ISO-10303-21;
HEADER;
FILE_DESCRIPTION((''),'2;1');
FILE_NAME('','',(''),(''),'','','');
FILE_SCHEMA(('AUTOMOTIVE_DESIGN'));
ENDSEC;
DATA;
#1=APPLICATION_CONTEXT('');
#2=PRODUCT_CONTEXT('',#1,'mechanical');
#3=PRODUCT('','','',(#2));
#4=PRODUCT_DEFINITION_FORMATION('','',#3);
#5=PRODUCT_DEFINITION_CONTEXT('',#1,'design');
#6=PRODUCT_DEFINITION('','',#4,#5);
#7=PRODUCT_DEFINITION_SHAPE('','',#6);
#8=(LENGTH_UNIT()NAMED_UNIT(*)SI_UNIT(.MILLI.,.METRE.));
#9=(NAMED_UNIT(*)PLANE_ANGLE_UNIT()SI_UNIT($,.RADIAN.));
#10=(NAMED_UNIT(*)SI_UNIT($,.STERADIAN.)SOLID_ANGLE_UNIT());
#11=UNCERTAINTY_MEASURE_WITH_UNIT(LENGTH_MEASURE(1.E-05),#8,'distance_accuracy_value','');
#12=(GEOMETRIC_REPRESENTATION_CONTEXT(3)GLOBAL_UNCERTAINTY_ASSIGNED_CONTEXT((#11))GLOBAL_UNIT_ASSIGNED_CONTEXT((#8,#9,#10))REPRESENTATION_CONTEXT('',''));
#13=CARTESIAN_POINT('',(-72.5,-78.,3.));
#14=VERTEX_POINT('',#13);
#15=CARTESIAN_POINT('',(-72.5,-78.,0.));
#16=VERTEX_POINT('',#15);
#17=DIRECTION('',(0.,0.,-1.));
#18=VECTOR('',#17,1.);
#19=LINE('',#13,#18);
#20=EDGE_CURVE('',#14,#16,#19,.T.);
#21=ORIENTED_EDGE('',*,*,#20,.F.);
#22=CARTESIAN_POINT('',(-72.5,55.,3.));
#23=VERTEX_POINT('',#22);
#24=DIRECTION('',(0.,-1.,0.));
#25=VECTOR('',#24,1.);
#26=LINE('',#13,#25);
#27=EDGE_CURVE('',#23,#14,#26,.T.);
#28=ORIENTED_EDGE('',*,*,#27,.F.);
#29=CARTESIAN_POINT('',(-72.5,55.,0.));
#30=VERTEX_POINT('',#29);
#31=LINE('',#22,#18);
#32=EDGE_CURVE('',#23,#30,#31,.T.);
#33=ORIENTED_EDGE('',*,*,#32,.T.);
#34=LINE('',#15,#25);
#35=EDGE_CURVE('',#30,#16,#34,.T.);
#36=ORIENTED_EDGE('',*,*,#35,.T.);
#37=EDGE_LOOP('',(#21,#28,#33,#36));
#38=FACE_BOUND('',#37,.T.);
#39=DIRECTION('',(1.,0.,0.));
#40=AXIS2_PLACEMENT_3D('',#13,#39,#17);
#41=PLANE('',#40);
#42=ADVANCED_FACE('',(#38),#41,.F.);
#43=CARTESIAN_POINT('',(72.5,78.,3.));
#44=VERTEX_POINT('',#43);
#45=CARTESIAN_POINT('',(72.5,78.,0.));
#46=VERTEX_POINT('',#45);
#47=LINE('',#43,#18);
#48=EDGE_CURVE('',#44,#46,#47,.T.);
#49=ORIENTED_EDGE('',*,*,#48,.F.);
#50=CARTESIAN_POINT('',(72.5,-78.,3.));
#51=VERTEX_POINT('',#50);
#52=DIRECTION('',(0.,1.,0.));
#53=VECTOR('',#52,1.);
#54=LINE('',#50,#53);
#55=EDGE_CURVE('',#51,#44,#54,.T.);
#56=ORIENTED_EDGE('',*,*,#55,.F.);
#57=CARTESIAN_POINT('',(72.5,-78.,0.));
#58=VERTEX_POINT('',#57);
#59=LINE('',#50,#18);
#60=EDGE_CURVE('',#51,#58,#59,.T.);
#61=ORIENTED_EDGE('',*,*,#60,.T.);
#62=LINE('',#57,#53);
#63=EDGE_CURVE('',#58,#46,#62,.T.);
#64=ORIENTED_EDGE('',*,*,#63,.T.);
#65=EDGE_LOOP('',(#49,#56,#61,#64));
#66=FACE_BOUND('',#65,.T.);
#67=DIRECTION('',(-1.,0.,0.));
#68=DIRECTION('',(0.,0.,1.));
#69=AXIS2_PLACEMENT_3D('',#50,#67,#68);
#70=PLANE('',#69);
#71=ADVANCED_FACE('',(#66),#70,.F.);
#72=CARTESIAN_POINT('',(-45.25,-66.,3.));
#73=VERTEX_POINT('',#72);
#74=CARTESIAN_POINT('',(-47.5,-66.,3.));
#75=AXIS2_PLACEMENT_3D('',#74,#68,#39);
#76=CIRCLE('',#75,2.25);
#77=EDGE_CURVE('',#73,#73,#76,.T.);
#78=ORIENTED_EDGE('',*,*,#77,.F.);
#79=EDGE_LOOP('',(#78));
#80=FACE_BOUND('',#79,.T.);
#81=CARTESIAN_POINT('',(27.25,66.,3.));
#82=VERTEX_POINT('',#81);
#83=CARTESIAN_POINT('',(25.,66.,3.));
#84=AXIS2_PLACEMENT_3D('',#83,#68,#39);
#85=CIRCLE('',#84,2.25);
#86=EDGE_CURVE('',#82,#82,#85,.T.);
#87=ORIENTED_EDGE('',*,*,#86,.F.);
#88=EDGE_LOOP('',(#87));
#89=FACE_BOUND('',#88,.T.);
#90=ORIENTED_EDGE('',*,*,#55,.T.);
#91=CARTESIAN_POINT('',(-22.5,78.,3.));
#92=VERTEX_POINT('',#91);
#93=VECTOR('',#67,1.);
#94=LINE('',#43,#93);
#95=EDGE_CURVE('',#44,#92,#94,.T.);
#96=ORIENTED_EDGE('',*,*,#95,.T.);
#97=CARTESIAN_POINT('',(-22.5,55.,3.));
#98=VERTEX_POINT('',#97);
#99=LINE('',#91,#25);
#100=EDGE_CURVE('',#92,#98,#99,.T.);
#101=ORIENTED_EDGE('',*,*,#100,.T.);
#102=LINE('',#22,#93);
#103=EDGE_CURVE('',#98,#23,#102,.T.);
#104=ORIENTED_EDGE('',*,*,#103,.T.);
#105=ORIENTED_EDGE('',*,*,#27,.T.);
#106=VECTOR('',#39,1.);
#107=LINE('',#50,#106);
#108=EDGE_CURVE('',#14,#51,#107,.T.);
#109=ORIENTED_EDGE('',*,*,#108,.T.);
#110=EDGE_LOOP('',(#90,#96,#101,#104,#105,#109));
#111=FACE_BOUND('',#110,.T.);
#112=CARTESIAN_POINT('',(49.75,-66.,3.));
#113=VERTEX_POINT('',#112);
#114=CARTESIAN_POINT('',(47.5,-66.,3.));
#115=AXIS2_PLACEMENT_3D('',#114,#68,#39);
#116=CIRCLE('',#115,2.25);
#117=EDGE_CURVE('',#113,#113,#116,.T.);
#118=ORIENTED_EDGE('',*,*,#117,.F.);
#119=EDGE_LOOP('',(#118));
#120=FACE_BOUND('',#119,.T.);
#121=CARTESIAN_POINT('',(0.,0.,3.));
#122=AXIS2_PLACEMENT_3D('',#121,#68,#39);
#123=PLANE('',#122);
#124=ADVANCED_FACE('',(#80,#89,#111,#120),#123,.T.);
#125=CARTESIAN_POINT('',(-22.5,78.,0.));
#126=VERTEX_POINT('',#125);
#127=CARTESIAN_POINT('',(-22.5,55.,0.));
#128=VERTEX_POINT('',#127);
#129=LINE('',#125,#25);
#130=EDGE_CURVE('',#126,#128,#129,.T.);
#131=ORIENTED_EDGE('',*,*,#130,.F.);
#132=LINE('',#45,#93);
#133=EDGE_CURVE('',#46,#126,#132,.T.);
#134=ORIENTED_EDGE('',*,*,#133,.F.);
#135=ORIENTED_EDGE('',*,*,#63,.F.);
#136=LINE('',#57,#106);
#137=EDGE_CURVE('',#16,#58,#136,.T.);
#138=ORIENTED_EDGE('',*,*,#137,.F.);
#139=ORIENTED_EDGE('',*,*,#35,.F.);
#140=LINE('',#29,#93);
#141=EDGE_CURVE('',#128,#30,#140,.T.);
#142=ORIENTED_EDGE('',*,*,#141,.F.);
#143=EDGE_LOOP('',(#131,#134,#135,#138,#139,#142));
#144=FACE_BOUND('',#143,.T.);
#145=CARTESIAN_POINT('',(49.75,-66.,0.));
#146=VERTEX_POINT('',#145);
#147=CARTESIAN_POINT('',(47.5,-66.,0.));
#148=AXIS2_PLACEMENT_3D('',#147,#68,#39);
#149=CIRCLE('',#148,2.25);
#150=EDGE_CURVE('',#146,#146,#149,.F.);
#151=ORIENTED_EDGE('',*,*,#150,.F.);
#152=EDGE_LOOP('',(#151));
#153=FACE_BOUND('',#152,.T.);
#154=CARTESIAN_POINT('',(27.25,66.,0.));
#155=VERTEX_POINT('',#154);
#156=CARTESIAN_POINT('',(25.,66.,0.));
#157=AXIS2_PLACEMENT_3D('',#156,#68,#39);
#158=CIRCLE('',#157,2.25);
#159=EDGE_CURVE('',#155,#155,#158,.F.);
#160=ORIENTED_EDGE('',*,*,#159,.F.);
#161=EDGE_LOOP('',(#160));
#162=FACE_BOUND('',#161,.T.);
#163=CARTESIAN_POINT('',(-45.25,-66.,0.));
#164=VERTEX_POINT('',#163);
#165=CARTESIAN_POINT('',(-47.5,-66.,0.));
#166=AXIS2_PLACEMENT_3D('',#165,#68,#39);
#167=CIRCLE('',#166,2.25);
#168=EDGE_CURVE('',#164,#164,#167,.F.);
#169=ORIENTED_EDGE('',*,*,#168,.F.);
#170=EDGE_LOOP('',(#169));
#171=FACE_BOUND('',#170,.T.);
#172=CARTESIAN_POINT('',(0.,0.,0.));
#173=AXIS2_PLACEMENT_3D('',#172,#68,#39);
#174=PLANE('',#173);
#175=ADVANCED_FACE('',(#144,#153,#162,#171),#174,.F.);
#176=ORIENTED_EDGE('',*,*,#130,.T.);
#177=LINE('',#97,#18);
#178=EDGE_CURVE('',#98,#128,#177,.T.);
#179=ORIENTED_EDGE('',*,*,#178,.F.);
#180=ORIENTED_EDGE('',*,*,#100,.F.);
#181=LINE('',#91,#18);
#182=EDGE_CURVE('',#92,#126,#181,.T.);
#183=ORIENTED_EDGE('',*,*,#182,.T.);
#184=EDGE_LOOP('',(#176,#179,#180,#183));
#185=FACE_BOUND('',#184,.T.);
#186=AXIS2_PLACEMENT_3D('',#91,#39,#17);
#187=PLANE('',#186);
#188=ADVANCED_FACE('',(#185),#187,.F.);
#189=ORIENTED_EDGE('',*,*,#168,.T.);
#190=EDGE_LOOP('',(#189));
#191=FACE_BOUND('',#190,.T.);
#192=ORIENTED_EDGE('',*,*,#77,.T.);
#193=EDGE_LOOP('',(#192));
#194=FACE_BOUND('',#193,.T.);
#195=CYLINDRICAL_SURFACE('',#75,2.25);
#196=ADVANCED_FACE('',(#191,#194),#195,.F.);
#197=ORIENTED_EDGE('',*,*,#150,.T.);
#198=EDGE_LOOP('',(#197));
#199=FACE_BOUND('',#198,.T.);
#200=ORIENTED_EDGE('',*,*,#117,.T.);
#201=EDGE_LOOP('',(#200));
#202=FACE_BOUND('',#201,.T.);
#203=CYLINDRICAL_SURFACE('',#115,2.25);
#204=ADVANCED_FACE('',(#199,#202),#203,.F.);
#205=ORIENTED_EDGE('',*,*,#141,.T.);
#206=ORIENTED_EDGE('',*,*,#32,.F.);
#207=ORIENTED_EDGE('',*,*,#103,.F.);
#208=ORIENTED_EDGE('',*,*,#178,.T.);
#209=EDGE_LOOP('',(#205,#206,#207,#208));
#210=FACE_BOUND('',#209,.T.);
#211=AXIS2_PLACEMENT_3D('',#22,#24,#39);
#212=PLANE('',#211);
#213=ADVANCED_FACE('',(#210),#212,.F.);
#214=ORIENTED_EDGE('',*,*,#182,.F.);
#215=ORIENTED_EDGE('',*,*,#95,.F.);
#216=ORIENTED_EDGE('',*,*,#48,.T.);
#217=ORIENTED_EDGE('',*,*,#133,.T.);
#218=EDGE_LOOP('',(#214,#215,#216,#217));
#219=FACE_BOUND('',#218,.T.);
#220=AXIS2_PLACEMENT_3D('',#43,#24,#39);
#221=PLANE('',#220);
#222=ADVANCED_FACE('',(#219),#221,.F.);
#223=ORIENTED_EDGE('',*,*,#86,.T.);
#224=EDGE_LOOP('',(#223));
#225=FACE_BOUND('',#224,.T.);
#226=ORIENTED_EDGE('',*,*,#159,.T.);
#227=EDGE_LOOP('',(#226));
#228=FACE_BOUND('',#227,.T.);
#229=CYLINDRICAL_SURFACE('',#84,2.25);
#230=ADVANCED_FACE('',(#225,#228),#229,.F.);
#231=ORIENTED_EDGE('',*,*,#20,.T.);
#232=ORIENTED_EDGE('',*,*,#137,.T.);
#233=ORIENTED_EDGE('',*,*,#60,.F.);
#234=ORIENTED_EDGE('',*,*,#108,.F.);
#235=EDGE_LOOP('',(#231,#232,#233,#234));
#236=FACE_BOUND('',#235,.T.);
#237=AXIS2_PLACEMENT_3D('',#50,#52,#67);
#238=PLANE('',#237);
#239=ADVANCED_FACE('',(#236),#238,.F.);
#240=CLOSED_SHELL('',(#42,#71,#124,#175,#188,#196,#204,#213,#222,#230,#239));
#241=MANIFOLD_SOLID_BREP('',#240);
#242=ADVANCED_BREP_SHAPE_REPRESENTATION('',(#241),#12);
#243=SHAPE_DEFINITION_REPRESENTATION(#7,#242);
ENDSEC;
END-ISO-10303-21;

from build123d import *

# Parameters (mm, degrees)
SKIZZE1_W                       = 145
SKIZZE1_H                       = 156
AUFSATZ_LINEAR_AUSTRAGEN1_DEPTH = 3
DURCHGANGSLOCH_F_R_M41_D        = 4.5
DURCHGANGSLOCH_F_R_M41_DEPTH    = 3
DURCHGANGSLOCH_F_R_M41_TIP      = 1.351936393
SKIZZE5_W                       = 50
SKIZZE5_H                       = 23
SCHNITT_LINEAR_AUSTRAGEN1_DEPTH = 107.532858781


with BuildPart() as part:
    # Skizze1 → Aufsatz-Linear austragen1 (new body)
    with BuildSketch(Plane.XY):
        Rectangle(SKIZZE1_W, SKIZZE1_H)
    extrude(amount=AUFSATZ_LINEAR_AUSTRAGEN1_DEPTH)

    # Durchgangsloch für M41
    with Locations(Plane.XY.offset(3)):
        with Locations((25, 66), (-47.5, -66), (47.5, -66)):
            Hole(DURCHGANGSLOCH_F_R_M41_D / 2, depth=DURCHGANGSLOCH_F_R_M41_DEPTH)
            with Locations((0, 0, -(DURCHGANGSLOCH_F_R_M41_DEPTH + DURCHGANGSLOCH_F_R_M41_TIP / 2))):  # 118° drill point
                Cone(0, DURCHGANGSLOCH_F_R_M41_D / 2, DURCHGANGSLOCH_F_R_M41_TIP, mode=Mode.SUBTRACT)

    # Skizze5 → Schnitt-Linear austragen1 (cut, through all)
    with BuildSketch(Plane(origin=(0, 0, 0), x_dir=(-1, 0, 0), z_dir=(0, 0, -1))):
        with Locations((47.5, 66.5)):
            Rectangle(SKIZZE5_W, SKIZZE5_H)
    extrude(amount=-SCHNITT_LINEAR_AUSTRAGEN1_DEPTH, mode=Mode.SUBTRACT)


solid = part.part
